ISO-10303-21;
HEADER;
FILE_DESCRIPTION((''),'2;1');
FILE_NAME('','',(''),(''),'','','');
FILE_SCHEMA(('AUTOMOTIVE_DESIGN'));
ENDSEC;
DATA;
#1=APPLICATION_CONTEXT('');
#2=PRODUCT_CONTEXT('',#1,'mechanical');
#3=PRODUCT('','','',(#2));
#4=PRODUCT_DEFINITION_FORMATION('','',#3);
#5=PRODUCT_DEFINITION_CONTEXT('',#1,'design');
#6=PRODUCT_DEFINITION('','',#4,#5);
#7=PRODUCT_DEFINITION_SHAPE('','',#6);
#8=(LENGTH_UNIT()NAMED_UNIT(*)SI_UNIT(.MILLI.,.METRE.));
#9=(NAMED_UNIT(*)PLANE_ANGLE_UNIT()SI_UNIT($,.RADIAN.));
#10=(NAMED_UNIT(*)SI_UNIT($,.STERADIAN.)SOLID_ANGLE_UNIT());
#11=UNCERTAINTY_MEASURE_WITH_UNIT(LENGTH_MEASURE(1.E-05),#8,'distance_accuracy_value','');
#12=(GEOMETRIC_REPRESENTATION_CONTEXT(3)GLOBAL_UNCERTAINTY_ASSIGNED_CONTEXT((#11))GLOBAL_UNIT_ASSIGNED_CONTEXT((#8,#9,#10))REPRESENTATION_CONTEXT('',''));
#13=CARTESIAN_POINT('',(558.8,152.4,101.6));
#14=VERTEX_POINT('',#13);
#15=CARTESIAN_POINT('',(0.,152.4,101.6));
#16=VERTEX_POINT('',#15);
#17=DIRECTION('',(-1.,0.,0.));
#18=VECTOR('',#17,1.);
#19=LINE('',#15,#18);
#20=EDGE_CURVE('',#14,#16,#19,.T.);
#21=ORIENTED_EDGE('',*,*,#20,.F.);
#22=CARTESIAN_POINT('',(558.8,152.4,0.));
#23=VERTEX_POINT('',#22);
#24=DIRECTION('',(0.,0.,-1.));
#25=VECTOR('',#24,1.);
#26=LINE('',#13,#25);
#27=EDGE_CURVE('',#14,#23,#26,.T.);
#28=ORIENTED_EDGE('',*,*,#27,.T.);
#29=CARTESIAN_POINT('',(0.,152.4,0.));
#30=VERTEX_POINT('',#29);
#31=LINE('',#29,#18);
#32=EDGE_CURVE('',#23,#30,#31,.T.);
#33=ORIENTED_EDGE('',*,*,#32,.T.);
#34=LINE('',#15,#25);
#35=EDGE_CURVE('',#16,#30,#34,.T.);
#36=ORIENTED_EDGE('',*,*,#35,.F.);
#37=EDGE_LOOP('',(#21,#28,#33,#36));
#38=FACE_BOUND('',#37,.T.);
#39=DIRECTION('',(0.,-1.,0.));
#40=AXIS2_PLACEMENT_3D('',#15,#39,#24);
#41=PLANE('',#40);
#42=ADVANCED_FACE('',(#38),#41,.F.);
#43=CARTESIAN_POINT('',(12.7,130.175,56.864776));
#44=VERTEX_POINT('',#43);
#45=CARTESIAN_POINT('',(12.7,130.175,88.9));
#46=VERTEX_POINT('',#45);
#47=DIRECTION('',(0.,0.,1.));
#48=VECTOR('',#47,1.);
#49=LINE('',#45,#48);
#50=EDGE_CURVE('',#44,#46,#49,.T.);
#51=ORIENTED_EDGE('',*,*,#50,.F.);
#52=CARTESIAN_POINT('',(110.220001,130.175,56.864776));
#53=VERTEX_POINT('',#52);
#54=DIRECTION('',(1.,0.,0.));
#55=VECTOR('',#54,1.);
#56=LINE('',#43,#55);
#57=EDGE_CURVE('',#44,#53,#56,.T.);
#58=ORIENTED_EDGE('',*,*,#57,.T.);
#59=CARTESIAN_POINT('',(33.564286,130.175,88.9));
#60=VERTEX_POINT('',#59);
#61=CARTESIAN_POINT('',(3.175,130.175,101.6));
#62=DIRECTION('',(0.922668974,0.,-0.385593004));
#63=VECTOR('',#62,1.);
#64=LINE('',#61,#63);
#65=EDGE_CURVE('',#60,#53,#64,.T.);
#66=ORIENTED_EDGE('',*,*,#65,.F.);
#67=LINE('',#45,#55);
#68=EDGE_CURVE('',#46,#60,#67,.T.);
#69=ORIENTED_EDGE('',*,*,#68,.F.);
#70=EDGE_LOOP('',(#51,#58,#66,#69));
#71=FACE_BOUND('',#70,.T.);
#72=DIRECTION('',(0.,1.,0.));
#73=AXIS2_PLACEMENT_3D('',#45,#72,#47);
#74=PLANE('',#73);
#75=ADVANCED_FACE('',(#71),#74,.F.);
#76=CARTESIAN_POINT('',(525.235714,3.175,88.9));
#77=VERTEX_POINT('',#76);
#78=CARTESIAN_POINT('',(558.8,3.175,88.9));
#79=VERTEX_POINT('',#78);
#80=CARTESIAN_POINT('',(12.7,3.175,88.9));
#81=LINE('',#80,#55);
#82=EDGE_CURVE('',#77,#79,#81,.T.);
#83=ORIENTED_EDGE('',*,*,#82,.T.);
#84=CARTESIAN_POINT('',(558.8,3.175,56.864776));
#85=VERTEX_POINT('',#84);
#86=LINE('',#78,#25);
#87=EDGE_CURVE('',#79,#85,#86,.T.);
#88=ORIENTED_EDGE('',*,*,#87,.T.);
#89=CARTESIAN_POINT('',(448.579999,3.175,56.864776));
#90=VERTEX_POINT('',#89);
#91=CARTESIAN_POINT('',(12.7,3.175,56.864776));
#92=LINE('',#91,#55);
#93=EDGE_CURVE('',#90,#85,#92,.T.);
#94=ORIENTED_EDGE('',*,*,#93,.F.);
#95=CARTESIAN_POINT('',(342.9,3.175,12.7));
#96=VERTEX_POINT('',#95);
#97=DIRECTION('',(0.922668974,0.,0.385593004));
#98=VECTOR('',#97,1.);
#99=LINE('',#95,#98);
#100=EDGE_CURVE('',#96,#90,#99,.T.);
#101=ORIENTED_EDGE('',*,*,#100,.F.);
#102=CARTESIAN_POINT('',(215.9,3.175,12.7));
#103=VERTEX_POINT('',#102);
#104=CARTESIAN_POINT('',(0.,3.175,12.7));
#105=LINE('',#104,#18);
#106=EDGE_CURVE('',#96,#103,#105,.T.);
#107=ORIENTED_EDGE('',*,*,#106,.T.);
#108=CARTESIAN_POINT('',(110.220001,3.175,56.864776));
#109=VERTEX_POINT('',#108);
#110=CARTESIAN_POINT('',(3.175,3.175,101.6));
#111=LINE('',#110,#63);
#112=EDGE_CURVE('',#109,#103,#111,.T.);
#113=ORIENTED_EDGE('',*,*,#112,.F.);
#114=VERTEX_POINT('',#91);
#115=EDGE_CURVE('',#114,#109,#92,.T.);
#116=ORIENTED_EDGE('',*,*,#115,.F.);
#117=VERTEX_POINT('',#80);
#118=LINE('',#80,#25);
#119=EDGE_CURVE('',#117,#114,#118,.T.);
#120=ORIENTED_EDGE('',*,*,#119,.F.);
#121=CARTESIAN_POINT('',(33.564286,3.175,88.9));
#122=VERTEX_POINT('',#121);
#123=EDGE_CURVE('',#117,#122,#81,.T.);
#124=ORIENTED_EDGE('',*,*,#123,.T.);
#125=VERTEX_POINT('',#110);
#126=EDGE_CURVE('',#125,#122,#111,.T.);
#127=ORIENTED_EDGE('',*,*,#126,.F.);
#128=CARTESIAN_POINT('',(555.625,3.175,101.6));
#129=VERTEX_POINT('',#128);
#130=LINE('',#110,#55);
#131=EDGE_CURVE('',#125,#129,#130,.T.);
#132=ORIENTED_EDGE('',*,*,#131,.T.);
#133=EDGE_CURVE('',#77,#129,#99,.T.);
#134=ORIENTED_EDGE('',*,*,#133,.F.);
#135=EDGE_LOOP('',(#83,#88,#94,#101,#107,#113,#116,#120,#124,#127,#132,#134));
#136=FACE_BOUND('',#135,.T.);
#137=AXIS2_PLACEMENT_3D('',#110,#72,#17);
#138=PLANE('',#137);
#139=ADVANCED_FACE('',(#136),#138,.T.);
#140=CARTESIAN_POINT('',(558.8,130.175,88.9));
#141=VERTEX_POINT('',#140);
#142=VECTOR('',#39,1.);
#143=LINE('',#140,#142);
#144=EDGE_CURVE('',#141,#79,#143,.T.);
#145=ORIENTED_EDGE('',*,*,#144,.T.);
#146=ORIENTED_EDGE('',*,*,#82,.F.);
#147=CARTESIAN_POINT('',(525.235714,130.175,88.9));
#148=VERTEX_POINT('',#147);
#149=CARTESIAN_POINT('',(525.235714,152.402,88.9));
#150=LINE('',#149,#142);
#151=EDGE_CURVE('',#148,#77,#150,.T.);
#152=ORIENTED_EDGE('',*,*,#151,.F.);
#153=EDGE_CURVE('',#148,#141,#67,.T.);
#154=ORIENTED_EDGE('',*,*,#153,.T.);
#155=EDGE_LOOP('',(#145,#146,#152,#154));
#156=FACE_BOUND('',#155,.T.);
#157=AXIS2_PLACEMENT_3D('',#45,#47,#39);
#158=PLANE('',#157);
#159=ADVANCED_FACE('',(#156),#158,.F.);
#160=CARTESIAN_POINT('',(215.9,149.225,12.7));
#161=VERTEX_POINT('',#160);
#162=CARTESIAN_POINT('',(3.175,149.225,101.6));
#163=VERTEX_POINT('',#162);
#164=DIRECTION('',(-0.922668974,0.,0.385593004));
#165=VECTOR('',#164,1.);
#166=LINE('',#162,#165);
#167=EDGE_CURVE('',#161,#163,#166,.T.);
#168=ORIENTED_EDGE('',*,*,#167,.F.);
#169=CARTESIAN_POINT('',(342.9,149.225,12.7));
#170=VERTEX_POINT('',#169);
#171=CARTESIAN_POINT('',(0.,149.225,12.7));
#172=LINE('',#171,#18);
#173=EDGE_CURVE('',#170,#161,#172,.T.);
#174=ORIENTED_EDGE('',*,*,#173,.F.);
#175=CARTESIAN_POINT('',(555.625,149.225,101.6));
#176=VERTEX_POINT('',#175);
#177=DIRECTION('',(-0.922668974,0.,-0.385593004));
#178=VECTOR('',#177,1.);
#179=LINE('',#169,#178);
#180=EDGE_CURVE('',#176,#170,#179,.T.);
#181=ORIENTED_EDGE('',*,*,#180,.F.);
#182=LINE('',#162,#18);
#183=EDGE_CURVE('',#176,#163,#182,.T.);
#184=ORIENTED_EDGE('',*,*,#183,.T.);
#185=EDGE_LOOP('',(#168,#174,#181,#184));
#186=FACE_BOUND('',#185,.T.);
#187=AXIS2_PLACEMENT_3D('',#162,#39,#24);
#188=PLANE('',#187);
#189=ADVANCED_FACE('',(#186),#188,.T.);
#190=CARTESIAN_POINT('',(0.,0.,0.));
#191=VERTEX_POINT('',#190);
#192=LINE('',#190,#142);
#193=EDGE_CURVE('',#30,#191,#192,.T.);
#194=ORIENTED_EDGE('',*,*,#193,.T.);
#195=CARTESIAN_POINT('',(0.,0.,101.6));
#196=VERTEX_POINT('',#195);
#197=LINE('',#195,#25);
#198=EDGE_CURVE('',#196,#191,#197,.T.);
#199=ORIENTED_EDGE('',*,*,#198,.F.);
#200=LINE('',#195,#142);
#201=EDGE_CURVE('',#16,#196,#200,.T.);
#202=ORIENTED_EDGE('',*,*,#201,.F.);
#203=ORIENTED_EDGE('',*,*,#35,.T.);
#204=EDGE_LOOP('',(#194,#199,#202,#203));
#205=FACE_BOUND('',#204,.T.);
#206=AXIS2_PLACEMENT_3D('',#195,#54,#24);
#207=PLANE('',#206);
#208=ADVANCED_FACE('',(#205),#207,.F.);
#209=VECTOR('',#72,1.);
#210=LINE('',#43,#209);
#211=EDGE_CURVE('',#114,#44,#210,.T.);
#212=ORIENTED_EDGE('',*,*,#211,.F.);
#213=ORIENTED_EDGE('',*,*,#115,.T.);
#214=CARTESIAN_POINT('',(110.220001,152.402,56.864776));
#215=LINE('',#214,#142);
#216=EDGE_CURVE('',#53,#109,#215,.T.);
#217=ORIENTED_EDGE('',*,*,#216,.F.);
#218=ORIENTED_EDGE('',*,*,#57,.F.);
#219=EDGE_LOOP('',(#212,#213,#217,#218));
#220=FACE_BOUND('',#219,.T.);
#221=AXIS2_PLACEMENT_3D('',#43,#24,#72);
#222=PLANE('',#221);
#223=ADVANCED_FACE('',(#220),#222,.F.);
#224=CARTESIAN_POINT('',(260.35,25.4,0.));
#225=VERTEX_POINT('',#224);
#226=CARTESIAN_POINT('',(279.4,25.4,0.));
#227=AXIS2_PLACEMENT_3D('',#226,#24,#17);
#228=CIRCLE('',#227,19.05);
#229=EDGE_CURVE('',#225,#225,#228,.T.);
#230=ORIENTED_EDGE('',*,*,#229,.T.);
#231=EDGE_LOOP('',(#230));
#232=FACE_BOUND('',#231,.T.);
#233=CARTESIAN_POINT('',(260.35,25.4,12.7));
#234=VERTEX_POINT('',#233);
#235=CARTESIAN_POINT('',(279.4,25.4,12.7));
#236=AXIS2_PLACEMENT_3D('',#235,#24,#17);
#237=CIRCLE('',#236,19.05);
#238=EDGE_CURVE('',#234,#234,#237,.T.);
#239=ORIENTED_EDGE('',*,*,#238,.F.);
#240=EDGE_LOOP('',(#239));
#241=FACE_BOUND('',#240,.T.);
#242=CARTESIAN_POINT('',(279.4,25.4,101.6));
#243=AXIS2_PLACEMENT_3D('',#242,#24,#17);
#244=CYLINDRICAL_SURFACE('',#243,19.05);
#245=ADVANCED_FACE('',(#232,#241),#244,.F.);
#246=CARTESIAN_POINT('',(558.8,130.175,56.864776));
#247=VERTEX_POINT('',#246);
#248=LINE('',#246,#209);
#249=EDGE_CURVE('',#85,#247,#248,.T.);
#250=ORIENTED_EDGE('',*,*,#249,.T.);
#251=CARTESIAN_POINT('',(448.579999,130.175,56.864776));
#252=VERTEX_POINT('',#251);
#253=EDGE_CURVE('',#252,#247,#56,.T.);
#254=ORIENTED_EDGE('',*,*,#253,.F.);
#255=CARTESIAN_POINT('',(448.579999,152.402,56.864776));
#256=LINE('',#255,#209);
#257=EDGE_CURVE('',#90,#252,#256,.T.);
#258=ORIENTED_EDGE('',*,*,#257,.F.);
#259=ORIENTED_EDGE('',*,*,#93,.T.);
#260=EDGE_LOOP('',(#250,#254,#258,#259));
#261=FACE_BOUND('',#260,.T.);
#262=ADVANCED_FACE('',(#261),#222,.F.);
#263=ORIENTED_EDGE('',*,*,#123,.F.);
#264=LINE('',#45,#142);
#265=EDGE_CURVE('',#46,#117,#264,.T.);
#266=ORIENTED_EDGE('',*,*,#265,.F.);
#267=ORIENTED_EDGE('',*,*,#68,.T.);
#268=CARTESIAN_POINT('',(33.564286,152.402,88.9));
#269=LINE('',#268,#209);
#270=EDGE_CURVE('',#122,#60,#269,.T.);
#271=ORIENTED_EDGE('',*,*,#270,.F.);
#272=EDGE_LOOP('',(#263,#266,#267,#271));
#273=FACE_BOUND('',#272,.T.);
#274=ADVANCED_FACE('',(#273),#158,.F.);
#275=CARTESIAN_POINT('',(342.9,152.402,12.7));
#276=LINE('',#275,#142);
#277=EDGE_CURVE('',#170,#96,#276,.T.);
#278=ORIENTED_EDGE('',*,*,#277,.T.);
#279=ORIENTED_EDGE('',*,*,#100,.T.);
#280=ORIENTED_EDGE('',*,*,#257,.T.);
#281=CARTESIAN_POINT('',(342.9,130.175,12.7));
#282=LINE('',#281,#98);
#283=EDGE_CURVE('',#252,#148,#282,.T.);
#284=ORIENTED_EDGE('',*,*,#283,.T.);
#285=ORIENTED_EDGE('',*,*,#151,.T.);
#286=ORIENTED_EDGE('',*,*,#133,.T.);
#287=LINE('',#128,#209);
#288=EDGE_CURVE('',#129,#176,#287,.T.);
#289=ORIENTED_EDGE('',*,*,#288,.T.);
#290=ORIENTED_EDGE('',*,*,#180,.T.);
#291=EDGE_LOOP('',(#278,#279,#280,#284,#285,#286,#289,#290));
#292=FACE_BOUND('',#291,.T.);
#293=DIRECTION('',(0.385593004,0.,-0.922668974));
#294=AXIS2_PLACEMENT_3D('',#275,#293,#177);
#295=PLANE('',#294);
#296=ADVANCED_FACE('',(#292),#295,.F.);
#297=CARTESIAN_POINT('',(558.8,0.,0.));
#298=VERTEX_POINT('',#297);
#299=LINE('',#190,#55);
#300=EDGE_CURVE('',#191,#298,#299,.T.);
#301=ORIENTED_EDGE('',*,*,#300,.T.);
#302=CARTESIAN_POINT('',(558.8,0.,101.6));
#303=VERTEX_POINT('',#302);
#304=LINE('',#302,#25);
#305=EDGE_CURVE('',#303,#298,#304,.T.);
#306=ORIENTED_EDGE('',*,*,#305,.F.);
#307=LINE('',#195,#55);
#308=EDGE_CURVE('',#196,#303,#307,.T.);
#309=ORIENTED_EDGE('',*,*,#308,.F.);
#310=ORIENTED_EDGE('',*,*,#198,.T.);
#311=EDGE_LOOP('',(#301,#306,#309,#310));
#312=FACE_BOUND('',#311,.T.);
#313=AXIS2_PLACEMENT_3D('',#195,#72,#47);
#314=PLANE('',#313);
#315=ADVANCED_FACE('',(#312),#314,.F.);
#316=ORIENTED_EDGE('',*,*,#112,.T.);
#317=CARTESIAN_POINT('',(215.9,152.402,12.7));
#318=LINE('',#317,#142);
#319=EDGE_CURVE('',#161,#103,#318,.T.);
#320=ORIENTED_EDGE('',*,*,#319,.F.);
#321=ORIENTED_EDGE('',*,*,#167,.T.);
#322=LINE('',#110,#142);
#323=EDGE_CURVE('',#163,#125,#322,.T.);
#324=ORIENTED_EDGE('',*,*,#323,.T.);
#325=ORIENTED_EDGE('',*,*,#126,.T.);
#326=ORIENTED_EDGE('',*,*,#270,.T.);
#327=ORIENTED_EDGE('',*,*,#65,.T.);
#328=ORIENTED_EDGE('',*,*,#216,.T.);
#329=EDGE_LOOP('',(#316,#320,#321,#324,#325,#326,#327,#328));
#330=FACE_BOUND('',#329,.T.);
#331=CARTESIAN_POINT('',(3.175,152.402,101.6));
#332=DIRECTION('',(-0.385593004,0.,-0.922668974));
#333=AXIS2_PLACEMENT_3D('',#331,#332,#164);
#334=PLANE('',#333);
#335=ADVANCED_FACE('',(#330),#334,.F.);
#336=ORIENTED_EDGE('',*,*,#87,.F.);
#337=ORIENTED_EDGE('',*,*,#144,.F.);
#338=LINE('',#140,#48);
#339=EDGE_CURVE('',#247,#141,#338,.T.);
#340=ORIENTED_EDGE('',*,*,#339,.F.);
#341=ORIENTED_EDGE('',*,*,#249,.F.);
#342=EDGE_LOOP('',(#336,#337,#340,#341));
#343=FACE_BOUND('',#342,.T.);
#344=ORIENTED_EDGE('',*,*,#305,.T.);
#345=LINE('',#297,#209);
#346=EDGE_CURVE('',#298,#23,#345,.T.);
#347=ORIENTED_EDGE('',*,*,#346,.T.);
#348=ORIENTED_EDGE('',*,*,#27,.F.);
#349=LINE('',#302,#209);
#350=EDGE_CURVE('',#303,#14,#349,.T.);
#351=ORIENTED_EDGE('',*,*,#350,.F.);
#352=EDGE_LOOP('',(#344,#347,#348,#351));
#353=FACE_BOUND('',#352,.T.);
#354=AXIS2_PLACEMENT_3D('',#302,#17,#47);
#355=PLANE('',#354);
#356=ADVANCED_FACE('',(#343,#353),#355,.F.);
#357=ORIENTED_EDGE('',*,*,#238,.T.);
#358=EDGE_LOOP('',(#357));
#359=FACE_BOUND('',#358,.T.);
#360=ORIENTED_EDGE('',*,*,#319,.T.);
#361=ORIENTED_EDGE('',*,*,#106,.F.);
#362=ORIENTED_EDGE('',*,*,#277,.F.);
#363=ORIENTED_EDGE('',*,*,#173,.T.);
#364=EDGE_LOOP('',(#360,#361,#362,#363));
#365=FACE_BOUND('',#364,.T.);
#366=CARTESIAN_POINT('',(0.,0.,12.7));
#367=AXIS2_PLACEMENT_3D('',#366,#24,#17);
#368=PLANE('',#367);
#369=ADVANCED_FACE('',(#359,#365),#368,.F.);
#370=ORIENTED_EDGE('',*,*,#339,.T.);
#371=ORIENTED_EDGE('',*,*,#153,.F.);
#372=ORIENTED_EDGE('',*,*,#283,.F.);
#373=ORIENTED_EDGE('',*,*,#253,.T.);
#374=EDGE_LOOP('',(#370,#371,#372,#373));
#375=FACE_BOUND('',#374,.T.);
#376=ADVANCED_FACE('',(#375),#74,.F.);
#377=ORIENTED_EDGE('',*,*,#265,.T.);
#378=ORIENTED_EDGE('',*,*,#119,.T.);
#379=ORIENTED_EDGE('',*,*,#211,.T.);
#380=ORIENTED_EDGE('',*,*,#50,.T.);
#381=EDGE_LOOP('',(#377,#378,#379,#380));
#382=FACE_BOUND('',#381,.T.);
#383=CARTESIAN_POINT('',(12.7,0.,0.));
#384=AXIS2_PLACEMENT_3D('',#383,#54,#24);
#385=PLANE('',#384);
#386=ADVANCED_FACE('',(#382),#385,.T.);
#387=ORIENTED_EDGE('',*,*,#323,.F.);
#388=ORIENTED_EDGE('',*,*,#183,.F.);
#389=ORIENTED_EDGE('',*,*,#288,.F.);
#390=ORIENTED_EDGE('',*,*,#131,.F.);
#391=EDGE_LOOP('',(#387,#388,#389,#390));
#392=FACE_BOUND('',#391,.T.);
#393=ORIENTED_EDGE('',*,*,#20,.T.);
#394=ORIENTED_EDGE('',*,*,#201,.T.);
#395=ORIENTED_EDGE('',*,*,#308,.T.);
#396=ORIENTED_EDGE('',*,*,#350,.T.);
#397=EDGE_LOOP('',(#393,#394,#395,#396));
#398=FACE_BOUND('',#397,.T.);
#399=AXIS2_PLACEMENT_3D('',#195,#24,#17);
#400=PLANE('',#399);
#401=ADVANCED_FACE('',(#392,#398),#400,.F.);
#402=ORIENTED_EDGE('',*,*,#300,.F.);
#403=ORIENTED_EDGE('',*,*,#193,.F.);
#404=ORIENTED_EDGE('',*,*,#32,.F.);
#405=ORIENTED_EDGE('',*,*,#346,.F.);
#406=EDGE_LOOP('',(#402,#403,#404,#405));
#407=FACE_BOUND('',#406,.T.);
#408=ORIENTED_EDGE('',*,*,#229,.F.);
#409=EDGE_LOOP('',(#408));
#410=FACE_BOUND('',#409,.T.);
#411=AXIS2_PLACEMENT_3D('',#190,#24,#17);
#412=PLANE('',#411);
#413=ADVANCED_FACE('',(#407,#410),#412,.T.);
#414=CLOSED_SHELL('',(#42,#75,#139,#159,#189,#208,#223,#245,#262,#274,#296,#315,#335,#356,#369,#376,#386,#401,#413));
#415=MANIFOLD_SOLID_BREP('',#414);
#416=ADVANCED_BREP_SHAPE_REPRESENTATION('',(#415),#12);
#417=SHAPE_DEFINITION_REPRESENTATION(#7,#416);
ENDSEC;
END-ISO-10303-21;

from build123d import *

# Parameters (mm, degrees)
SKETCH1_W            = 558.8
SKETCH1_H            = 152.4
SKETCH1_W_2          = 552.45
SKETCH1_H_2          = 146.05
BOSS_EXTRUDE2_DEPTH  = 101.6
BOSS_EXTRUDE3_REACH  = 151.225
SKETCH5_W            = 552.45
SKETCH5_H            = 146.05
BOSS_EXTRUDE15_DEPTH = 12.7
SKETCH8_R            = 19.05
CUT_EXTRUDE1_DEPTH   = 102.6
SKETCH9_W            = 32.035224234
SKETCH9_H            = 127
CUT_EXTRUDE2_DEPTH   = 546.1


with BuildPart() as part:
    # Sketch1 → Boss-Extrude2 (new body)
    with BuildSketch(Plane.XY):
        with Locations((279.4, 76.2)):
            Rectangle(SKETCH1_W, SKETCH1_H)
        with Locations((279.4, 76.2)):
            Rectangle(SKETCH1_W_2, SKETCH1_H_2, mode=Mode.SUBTRACT)
    extrude(amount=BOSS_EXTRUDE2_DEPTH)

    # Sketch2 → Boss-Extrude3 (add, up to next)
    with BuildSketch(Plane(origin=(0, 3.175, 0), x_dir=(1, 0, 0), z_dir=(0, 1, 0)), mode=Mode.PRIVATE) as boss_extrude3_sk1:
        Polygon((3.175, -101.6), (215.9, -12.7), (3.175, -12.7), align=None)
    boss_extrude3_tool1 = extrude(boss_extrude3_sk1.sketch, amount=BOSS_EXTRUDE3_REACH, mode=Mode.PRIVATE) - part.part
    add(boss_extrude3_tool1.solids().sort_by_distance((74.083333, 3.175, 42.333333))[0])
    # Sketch2 → Boss-Extrude3 (add, up to next)
    with BuildSketch(Plane(origin=(0, 3.175, 0), x_dir=(1, 0, 0), z_dir=(0, 1, 0)), mode=Mode.PRIVATE) as boss_extrude3_sk2:
        Polygon((342.9, -12.7), (555.625, -101.6), (555.625, -12.7), align=None)
    boss_extrude3_tool2 = extrude(boss_extrude3_sk2.sketch, amount=BOSS_EXTRUDE3_REACH, mode=Mode.PRIVATE) - part.part
    add(boss_extrude3_tool2.solids().sort_by_distance((484.716667, 3.175, 42.333333))[0])

    # Sketch5 → Boss-Extrude15 (add)
    with BuildSketch(Plane(origin=(0, 0, 12.7), x_dir=(-1, 0, 0), z_dir=(0, 0, -1))):
        with Locations((-279.4, 76.2)):
            Rectangle(SKETCH5_W, SKETCH5_H)
    extrude(amount=BOSS_EXTRUDE15_DEPTH)

    # Sketch8 → Cut-Extrude1 (cut, through all)
    with BuildSketch(Plane(origin=(0, 0, 0), x_dir=(-1, 0, 0), z_dir=(0, 0, -1))):
        with Locations((-279.4, 25.4)):
            Circle(SKETCH8_R)
    extrude(amount=-CUT_EXTRUDE1_DEPTH, mode=Mode.SUBTRACT)

    # Sketch9 → Cut-Extrude2 (cut)
    with BuildSketch(Plane(origin=(558.8, 0, 0), x_dir=(0, 0, -1), z_dir=(1, 0, 0))):
        with Locations((-72.882387883, 66.675)):
            Rectangle(SKETCH9_W, SKETCH9_H)
    extrude(amount=-CUT_EXTRUDE2_DEPTH, mode=Mode.SUBTRACT)


solid = part.part
